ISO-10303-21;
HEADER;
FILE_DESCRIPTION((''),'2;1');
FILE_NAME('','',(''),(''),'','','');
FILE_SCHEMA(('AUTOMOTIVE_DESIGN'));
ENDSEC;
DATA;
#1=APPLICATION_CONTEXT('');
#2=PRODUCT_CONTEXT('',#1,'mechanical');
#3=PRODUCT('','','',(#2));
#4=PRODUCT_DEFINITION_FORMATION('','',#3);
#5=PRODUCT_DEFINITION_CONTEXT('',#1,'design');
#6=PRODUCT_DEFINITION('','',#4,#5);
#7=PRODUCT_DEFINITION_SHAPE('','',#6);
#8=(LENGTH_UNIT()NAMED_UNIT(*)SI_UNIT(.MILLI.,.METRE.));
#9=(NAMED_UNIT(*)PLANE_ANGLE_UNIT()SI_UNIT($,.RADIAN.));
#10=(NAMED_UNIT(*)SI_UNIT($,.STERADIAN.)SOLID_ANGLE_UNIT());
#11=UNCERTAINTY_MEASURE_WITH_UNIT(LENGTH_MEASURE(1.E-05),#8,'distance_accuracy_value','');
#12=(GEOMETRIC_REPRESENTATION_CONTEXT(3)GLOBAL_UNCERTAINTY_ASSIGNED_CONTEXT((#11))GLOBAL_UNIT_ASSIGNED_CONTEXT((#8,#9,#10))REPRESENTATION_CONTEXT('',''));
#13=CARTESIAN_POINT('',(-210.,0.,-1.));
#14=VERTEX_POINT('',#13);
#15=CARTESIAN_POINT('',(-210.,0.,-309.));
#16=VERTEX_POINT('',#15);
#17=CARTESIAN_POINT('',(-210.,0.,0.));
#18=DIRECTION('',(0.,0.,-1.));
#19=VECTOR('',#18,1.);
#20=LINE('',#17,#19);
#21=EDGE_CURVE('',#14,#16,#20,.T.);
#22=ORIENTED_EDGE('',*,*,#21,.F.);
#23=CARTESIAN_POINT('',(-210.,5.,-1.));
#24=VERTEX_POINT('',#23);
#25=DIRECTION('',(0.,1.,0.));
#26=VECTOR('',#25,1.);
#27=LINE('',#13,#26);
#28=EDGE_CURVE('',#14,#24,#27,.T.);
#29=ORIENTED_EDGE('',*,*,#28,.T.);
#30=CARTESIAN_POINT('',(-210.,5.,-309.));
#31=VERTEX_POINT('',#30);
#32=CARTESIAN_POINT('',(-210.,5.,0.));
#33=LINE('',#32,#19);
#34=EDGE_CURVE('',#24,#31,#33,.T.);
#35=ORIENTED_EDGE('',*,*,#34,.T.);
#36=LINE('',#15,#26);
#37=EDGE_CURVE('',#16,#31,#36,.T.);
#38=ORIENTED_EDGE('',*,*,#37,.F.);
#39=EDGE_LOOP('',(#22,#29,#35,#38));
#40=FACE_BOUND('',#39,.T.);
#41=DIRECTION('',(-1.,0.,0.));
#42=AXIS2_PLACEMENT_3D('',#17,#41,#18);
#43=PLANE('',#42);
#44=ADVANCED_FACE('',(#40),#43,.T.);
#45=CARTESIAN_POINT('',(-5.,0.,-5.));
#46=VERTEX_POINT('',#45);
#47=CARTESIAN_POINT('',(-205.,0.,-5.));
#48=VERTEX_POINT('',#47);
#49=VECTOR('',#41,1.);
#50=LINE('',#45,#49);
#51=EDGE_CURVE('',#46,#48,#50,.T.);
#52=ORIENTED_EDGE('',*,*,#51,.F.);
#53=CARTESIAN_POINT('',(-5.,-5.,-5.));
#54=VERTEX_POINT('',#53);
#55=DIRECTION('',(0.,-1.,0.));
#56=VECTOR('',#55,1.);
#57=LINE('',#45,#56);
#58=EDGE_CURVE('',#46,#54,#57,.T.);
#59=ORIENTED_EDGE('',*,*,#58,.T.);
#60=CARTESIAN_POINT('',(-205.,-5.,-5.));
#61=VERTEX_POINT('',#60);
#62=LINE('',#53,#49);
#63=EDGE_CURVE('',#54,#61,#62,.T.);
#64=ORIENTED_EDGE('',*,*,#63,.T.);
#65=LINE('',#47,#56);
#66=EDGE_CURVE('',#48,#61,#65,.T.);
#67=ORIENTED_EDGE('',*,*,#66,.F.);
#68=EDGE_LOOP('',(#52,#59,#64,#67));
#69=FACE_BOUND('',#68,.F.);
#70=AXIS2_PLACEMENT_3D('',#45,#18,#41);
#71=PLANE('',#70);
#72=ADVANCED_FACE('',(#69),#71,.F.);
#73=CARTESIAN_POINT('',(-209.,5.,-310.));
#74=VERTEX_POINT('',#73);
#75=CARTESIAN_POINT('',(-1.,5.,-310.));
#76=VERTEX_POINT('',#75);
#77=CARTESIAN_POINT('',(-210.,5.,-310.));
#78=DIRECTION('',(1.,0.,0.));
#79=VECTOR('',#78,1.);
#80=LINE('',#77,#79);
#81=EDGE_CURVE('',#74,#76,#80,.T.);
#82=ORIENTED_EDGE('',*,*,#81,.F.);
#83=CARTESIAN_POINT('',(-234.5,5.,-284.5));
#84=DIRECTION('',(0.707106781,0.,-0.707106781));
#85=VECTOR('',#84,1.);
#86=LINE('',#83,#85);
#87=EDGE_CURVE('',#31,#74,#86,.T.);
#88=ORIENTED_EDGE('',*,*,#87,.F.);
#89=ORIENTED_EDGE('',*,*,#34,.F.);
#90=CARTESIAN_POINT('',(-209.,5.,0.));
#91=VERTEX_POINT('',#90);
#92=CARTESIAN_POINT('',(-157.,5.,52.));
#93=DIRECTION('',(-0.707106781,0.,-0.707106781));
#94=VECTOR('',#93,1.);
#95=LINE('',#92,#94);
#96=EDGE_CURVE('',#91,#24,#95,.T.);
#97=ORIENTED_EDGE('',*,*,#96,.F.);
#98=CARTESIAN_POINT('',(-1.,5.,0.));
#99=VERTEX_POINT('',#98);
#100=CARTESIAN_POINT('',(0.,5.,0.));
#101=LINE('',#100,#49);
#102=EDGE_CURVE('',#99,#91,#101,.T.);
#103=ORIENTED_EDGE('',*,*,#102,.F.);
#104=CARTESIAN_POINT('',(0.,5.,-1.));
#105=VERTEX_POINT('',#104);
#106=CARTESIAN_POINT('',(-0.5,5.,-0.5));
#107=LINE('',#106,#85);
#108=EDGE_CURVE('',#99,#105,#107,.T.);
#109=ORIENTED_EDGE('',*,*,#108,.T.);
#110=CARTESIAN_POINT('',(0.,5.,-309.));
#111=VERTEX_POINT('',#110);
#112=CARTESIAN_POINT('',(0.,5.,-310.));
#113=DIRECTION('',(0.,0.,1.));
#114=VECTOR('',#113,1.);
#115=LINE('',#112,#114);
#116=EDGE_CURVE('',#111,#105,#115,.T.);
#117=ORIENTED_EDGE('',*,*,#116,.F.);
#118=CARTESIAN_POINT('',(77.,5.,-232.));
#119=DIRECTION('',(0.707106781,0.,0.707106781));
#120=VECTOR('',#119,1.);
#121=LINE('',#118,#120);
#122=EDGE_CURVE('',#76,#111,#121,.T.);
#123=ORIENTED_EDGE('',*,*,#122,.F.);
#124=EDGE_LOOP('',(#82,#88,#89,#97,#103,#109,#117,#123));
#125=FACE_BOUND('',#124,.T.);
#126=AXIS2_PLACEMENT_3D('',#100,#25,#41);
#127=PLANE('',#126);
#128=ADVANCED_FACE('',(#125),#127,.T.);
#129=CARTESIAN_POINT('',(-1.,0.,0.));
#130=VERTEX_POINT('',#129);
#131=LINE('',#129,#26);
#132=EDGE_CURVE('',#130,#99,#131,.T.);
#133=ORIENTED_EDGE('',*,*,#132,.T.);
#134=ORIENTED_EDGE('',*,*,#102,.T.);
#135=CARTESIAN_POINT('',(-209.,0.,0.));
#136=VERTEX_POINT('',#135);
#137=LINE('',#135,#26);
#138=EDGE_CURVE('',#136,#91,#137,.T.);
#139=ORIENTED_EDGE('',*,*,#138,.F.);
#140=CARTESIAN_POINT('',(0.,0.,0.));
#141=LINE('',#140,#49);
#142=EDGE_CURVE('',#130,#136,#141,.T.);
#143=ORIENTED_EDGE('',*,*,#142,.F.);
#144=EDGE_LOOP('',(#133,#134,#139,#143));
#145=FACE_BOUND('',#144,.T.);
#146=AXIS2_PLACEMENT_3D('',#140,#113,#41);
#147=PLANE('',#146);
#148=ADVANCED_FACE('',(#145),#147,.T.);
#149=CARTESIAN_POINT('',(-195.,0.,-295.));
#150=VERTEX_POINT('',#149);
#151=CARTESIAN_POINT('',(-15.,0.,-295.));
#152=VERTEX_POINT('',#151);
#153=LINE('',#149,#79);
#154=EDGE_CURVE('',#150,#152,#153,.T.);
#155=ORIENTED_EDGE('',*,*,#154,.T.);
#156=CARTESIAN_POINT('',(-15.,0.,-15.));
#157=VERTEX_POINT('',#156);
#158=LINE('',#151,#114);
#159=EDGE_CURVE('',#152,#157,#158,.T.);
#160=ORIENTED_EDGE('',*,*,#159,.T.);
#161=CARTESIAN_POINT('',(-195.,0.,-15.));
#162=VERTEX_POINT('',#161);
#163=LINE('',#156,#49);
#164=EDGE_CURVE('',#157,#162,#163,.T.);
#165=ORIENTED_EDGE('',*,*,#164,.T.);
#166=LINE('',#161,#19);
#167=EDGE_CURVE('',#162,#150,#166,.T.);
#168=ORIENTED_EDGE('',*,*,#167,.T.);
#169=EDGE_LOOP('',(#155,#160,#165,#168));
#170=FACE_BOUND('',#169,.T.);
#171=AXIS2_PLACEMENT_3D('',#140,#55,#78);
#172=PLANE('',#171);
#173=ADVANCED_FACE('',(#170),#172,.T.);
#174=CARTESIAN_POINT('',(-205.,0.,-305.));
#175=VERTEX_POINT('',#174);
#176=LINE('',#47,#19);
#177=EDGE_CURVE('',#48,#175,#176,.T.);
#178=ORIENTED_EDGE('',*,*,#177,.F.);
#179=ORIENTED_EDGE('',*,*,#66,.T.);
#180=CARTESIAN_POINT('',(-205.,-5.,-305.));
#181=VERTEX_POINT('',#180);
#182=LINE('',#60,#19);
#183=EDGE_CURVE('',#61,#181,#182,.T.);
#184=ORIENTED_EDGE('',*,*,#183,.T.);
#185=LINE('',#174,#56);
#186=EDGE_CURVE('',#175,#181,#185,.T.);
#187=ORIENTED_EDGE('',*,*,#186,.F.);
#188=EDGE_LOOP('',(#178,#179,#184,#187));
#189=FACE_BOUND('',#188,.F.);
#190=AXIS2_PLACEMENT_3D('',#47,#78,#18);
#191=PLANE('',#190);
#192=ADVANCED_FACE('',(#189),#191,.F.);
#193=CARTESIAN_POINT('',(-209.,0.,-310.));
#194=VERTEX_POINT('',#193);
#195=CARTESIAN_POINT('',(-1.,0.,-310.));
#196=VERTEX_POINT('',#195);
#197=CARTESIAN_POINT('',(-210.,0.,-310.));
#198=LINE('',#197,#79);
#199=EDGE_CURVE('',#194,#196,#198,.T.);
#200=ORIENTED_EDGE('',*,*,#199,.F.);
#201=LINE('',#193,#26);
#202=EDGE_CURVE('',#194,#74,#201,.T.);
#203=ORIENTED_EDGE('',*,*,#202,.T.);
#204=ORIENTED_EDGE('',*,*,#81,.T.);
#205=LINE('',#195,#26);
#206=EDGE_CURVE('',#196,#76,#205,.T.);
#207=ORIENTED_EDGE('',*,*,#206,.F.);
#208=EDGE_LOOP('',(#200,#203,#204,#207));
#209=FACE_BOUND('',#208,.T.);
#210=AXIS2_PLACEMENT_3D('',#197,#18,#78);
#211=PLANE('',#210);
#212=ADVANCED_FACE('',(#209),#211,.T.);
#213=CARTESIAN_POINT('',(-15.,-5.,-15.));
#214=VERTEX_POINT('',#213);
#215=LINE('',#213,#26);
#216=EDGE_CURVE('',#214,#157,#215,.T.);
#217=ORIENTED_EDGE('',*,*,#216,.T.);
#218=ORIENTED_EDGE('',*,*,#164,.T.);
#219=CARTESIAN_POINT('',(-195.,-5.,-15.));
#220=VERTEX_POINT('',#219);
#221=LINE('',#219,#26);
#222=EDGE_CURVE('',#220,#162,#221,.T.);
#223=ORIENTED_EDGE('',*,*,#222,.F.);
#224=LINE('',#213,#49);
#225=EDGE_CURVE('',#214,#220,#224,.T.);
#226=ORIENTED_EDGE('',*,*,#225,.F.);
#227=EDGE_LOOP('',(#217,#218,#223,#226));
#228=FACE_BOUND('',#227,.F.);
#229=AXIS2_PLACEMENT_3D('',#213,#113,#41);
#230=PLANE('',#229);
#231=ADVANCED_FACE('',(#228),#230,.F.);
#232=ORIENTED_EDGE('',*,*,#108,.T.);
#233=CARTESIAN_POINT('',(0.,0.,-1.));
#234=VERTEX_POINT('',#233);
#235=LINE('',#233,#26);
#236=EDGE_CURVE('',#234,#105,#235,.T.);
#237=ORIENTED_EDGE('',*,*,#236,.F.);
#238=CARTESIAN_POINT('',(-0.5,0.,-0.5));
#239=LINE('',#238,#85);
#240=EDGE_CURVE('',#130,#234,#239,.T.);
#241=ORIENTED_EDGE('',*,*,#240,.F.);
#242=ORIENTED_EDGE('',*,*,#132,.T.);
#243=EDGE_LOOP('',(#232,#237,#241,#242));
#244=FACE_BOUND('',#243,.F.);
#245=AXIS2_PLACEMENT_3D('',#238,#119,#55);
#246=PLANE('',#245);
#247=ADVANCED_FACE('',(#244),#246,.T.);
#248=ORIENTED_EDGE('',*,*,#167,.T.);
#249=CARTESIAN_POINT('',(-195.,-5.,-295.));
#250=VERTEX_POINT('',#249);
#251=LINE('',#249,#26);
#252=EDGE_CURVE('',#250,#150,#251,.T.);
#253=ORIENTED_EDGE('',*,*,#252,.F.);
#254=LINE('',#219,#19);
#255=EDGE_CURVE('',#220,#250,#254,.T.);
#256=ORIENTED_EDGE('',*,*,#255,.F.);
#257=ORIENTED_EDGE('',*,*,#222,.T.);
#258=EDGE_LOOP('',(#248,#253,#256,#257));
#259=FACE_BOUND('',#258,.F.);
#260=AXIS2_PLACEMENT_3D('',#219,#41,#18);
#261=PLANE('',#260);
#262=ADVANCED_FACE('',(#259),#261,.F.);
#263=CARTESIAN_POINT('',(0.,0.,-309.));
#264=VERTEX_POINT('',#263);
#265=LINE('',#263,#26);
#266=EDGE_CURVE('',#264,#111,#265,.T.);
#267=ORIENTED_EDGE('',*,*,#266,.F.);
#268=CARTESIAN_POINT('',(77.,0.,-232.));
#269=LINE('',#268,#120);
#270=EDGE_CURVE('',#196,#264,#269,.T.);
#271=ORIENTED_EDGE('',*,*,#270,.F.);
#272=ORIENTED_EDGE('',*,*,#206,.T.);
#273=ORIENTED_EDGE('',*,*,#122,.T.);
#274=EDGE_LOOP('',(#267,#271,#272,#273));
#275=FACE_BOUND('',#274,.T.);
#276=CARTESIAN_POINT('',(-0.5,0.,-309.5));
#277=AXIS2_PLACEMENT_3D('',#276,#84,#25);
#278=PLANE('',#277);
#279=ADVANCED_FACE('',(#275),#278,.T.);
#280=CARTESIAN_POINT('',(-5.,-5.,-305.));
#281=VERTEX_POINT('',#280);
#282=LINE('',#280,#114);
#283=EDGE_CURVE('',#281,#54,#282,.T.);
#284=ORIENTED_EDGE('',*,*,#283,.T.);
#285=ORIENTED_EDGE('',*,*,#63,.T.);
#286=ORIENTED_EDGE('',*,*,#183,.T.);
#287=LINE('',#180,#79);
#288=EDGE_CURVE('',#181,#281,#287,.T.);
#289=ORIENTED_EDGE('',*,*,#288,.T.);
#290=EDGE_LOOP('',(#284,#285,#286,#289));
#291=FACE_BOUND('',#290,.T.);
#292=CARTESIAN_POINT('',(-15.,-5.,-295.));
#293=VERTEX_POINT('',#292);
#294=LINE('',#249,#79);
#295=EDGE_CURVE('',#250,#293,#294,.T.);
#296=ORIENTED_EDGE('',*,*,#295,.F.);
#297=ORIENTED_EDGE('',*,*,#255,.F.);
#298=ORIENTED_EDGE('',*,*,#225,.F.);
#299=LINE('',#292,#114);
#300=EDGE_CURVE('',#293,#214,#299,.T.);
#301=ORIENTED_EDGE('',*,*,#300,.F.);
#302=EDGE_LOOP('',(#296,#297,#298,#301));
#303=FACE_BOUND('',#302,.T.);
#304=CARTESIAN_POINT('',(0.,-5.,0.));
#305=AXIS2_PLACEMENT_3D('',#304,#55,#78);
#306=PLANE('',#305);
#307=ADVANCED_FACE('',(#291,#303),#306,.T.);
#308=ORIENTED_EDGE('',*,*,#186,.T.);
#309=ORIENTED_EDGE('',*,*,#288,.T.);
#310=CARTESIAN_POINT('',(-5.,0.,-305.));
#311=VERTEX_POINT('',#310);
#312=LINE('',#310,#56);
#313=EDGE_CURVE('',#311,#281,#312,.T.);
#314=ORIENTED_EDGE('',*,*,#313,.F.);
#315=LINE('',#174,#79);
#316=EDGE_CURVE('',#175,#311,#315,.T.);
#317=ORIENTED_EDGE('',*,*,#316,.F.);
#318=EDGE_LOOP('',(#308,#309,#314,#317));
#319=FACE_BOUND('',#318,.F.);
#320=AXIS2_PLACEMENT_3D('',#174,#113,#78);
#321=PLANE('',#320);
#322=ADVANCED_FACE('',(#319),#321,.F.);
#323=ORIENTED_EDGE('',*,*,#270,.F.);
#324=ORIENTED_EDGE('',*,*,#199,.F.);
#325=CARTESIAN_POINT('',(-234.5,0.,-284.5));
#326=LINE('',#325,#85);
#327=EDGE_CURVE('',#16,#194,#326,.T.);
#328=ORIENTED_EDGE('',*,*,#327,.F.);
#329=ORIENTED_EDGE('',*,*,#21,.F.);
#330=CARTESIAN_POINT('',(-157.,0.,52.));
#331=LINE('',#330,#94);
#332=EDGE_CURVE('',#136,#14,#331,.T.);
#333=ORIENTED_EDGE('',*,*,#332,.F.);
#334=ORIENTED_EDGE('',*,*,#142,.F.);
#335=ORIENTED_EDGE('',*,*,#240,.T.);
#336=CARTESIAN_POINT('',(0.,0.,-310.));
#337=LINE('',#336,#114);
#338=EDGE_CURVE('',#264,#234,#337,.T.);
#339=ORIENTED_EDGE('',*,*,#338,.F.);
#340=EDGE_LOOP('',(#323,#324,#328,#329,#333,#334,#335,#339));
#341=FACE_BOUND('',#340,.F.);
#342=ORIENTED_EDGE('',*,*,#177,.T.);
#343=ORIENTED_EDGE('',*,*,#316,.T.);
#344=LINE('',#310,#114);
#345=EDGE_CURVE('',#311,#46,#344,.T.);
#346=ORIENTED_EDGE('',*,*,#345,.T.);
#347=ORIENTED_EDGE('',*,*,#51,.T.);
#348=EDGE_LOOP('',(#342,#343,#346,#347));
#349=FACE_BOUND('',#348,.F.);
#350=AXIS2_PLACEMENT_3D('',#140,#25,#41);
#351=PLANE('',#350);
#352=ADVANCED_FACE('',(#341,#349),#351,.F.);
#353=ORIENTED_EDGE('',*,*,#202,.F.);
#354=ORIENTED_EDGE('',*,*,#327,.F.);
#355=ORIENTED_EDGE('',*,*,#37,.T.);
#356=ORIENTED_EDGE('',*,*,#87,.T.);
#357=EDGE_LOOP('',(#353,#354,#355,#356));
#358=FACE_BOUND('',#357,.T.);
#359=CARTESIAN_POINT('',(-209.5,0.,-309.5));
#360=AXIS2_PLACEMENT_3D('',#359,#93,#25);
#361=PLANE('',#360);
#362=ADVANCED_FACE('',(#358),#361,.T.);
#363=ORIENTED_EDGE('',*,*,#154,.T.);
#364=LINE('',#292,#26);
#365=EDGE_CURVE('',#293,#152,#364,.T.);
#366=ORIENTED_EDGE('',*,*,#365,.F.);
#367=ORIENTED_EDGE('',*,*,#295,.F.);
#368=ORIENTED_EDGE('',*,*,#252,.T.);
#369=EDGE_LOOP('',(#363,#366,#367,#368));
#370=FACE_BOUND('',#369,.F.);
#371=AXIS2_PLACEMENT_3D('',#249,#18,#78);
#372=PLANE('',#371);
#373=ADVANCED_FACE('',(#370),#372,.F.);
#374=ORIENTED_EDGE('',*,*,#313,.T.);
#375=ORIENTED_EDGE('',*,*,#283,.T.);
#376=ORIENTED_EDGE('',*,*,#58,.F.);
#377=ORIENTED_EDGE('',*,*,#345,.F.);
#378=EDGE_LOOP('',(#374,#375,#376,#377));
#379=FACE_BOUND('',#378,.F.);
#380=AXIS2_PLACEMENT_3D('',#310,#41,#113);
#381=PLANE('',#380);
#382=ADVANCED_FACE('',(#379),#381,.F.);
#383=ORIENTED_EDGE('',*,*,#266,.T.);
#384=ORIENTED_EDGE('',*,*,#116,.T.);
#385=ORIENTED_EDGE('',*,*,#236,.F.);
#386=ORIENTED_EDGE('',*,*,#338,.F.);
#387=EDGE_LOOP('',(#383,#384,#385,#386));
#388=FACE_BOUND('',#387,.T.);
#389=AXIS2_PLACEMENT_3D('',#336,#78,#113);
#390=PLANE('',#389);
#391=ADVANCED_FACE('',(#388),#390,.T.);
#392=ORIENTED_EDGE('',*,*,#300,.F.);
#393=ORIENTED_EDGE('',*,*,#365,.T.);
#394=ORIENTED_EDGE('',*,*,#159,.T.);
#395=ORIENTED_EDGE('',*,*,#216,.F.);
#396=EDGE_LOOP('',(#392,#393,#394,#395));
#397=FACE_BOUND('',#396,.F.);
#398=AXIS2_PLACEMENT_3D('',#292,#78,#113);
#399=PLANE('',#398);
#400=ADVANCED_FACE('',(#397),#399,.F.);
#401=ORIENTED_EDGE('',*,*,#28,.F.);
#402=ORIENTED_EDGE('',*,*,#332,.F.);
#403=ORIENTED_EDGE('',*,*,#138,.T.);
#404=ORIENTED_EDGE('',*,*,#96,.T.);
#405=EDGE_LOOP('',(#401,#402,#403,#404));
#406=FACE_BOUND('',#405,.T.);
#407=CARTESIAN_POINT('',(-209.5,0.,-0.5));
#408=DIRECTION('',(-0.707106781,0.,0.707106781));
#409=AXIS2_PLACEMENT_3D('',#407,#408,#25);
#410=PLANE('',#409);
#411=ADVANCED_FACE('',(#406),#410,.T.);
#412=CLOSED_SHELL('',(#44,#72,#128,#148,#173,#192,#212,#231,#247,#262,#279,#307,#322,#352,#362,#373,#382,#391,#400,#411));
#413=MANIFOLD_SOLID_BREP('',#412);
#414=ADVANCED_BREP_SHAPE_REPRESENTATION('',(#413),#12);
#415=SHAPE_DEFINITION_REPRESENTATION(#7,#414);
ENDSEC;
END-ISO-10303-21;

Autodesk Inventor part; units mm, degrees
ref_plane "YZ Plane" through (0, 0, 0) normal (1, 0, 0) x (0, 1, 0)
ref_plane "XZ Plane" through (0, 0, 0) normal (0, 1, 0) x (-1, 0, 0)
ref_plane "XY Plane" through (0, 0, 0) normal (0, 0, 1) x (1, 0, 0)
sketch "Sketch1" plane through (0, 0, 0) normal (0, 1, 0) x (-1, 0, 0)
  line L0 (0, 0) -> (210, 0)
  line L1 (210, 0) -> (210, -310)
  line L2 (210, -310) -> (0, -310)
  line L3 (0, -310) -> (0, 0)
  dimension "d0" = 310
  dimension "d1" = 210
extrude "Extrusion1" add sketch "Sketch1" along normal blind 5
chamfer "Chamfer1" distance 1 angle 45 4 edges at (0, 2.5, -310) (0, 2.5, 0) (-210, 2.5, -310) (-210, 2.5, 0)
sketch "Sketch2" plane through (0, 0, 0) normal (0, -1, 0) x (1, 0, 0)
  line L0 (-205, -305) -> (-5, -305)
  line L1 (-5, -305) -> (-5, -5)
  line L2 (-5, -5) -> (-205, -5)
  line L3 (-205, -5) -> (-205, -305)
  line L4 (0, -1) -> (0, -309) projected
  line L5 (-209, 0) -> (-1, 0) projected
  point P0 (0, 0)
  dimension "d7" = 300
  dimension "d8" = 200
  dimension "d9" = 5
  dimension "d10" = 5
extrude "Extrusion2" add sketch "Sketch2" along normal blind 5
sketch "Sketch3" plane through (0, -5, 0) normal (0, -1, 0) x (1, 0, 0)
  line L0 (-195, -295) -> (-15, -295)
  line L1 (-15, -295) -> (-15, -15)
  line L2 (-15, -15) -> (-195, -15)
  line L3 (-195, -15) -> (-195, -295)
  line L4 (-5, -5) -> (-205, -5) projected
  line L5 (-205, -5) -> (-205, -305) projected
  point P0 (0, 0)
  dimension "d13" = 280
  dimension "d14" = 180
  dimension "d15" = 10
  dimension "d16" = 10
extrude "Extrusion3" cut sketch "Sketch3" against normal blind 5
properties part number "Tutup_Box"
